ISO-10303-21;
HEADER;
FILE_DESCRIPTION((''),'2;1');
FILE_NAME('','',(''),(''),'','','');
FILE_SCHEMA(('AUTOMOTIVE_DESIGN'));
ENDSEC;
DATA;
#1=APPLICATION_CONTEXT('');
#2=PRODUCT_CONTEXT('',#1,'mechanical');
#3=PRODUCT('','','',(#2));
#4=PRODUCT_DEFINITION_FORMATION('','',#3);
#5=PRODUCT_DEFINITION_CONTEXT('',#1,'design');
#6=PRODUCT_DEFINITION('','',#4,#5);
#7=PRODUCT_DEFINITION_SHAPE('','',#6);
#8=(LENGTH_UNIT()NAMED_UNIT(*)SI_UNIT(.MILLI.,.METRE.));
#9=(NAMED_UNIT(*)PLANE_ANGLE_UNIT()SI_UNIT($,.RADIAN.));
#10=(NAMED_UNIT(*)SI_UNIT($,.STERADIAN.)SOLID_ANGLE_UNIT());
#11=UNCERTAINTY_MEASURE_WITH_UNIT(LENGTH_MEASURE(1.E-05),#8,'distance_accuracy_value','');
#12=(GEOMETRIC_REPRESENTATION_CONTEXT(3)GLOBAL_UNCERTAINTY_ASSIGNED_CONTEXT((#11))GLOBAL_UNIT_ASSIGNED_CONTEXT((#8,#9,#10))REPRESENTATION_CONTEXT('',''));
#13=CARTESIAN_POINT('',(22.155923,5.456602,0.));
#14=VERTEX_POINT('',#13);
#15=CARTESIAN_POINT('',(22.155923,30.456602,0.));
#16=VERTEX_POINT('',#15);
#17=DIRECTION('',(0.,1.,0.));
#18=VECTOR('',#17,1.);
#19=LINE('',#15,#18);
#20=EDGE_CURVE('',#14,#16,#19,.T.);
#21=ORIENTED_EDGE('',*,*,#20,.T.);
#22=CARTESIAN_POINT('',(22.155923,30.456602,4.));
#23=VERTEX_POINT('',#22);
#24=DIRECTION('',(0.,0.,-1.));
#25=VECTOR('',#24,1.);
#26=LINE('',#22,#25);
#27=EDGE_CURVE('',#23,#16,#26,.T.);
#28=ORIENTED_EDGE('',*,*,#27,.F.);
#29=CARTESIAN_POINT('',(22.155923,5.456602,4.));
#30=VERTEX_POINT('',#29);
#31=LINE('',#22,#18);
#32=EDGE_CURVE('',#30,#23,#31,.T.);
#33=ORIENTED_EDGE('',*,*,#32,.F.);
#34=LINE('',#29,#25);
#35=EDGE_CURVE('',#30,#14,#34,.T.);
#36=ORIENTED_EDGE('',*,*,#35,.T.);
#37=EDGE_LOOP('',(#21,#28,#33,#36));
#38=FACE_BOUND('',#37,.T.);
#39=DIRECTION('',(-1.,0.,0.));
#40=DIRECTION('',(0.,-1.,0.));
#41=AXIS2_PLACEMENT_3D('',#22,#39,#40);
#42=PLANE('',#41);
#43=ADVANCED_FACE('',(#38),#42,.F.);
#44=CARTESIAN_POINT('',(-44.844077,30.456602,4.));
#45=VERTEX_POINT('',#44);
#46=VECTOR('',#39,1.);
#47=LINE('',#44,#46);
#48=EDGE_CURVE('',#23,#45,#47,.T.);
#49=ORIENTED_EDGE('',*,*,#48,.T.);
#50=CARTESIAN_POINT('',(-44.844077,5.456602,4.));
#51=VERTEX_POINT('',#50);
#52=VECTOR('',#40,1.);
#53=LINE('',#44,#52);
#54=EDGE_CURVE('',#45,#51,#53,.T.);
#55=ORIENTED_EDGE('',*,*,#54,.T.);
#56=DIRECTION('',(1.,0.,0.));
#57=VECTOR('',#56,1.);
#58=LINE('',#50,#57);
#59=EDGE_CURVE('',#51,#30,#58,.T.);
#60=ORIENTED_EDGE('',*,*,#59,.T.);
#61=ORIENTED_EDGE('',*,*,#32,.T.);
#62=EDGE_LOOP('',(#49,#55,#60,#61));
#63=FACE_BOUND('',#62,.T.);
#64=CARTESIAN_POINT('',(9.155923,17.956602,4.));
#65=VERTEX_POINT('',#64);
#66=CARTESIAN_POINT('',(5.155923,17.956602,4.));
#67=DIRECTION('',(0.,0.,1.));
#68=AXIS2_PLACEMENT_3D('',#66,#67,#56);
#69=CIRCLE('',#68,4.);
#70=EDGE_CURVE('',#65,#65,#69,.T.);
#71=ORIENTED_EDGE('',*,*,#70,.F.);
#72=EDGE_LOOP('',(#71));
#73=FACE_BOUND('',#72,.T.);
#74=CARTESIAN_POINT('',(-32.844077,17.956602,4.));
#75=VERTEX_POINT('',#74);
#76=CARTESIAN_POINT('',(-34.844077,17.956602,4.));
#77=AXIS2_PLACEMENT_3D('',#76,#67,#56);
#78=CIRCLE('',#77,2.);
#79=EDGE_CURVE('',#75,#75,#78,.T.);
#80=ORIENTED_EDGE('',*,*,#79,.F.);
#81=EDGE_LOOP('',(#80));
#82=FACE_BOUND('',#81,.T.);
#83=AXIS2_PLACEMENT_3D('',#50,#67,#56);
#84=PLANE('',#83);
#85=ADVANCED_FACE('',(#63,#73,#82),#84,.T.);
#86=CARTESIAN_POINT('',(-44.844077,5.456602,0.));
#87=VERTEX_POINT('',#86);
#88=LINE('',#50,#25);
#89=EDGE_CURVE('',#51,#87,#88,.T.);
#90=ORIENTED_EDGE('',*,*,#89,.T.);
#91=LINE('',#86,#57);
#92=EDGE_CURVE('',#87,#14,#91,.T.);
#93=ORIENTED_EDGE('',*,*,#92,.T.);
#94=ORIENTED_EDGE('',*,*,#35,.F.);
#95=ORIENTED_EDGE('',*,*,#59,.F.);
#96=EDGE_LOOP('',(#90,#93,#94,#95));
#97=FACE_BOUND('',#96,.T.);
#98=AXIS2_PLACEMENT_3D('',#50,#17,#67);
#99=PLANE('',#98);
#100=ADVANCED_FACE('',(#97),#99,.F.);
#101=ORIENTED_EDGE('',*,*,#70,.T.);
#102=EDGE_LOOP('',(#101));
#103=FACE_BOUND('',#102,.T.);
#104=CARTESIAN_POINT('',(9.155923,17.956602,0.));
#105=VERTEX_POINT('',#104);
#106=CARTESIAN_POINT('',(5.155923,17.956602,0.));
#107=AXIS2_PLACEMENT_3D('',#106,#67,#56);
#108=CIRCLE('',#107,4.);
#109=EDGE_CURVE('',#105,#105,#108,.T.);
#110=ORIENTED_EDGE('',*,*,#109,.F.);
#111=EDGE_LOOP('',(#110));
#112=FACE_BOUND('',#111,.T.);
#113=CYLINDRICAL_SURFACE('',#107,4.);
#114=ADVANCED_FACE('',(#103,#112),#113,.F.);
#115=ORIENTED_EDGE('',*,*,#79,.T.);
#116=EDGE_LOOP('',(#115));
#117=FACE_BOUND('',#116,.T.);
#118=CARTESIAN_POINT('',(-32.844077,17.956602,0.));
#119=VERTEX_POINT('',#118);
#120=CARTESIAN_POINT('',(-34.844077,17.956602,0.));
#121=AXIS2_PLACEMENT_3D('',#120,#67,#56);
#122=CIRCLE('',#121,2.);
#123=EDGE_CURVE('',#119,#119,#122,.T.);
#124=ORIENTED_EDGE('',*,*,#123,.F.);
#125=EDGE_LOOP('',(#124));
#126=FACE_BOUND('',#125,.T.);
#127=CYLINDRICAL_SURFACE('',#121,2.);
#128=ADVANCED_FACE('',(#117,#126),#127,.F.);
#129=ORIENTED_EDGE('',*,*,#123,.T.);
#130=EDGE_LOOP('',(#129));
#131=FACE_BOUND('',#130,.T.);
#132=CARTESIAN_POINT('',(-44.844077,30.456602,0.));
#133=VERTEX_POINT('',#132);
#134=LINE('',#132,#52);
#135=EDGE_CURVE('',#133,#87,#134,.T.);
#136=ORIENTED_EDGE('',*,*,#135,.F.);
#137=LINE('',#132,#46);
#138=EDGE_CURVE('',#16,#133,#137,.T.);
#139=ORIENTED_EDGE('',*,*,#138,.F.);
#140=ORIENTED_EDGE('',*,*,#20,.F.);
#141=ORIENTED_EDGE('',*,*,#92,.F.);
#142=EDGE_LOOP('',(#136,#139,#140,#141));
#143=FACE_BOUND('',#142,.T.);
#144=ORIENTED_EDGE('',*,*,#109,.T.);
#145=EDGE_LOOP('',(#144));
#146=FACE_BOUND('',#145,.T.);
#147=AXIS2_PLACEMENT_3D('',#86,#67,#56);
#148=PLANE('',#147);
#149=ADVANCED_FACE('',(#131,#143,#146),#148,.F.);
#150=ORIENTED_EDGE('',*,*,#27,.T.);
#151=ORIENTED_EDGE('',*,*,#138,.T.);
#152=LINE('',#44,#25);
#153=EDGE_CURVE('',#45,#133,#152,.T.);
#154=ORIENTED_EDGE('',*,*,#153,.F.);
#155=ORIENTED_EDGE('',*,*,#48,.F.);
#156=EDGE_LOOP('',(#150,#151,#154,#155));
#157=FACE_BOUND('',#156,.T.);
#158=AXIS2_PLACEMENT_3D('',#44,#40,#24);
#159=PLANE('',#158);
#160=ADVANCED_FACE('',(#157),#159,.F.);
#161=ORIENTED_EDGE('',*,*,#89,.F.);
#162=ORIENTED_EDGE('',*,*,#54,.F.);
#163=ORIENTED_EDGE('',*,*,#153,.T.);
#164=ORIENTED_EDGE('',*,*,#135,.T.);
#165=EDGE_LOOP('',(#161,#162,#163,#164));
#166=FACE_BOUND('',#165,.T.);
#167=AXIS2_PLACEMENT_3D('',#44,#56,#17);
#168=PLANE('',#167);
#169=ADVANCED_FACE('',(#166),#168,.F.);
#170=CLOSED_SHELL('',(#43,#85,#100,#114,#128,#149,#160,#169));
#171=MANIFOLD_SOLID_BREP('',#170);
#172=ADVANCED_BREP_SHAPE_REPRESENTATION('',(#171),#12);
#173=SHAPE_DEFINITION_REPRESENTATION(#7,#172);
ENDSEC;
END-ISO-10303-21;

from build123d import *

# Parameters (mm, degrees)
SKETCH_1_W          = 67
SKETCH_1_H          = 25
EXTRUDE_1_DEPTH     = 4
SKETCH_2_R          = 2
SKETCH_2_R_2        = 4
CUT_EXTRUDE_1_DEPTH = 4


with BuildPart() as part:
    # 草图1 → 凸台-拉伸1 (new body)
    with BuildSketch(Plane.XY):
        with Locations((-11.34407729, 17.956602493)):
            Rectangle(SKETCH_1_W, SKETCH_1_H)
    extrude(amount=EXTRUDE_1_DEPTH)

    # 草图2 → 切除-拉伸1 (cut)
    with BuildSketch(Plane.XY.offset(4)):
        with Locations((-34.84407729, 17.956602493)):
            Circle(SKETCH_2_R)
        with Locations((5.15592271, 17.956602493)):
            Circle(SKETCH_2_R_2)
    extrude(amount=-CUT_EXTRUDE_1_DEPTH, mode=Mode.SUBTRACT)


solid = part.part
